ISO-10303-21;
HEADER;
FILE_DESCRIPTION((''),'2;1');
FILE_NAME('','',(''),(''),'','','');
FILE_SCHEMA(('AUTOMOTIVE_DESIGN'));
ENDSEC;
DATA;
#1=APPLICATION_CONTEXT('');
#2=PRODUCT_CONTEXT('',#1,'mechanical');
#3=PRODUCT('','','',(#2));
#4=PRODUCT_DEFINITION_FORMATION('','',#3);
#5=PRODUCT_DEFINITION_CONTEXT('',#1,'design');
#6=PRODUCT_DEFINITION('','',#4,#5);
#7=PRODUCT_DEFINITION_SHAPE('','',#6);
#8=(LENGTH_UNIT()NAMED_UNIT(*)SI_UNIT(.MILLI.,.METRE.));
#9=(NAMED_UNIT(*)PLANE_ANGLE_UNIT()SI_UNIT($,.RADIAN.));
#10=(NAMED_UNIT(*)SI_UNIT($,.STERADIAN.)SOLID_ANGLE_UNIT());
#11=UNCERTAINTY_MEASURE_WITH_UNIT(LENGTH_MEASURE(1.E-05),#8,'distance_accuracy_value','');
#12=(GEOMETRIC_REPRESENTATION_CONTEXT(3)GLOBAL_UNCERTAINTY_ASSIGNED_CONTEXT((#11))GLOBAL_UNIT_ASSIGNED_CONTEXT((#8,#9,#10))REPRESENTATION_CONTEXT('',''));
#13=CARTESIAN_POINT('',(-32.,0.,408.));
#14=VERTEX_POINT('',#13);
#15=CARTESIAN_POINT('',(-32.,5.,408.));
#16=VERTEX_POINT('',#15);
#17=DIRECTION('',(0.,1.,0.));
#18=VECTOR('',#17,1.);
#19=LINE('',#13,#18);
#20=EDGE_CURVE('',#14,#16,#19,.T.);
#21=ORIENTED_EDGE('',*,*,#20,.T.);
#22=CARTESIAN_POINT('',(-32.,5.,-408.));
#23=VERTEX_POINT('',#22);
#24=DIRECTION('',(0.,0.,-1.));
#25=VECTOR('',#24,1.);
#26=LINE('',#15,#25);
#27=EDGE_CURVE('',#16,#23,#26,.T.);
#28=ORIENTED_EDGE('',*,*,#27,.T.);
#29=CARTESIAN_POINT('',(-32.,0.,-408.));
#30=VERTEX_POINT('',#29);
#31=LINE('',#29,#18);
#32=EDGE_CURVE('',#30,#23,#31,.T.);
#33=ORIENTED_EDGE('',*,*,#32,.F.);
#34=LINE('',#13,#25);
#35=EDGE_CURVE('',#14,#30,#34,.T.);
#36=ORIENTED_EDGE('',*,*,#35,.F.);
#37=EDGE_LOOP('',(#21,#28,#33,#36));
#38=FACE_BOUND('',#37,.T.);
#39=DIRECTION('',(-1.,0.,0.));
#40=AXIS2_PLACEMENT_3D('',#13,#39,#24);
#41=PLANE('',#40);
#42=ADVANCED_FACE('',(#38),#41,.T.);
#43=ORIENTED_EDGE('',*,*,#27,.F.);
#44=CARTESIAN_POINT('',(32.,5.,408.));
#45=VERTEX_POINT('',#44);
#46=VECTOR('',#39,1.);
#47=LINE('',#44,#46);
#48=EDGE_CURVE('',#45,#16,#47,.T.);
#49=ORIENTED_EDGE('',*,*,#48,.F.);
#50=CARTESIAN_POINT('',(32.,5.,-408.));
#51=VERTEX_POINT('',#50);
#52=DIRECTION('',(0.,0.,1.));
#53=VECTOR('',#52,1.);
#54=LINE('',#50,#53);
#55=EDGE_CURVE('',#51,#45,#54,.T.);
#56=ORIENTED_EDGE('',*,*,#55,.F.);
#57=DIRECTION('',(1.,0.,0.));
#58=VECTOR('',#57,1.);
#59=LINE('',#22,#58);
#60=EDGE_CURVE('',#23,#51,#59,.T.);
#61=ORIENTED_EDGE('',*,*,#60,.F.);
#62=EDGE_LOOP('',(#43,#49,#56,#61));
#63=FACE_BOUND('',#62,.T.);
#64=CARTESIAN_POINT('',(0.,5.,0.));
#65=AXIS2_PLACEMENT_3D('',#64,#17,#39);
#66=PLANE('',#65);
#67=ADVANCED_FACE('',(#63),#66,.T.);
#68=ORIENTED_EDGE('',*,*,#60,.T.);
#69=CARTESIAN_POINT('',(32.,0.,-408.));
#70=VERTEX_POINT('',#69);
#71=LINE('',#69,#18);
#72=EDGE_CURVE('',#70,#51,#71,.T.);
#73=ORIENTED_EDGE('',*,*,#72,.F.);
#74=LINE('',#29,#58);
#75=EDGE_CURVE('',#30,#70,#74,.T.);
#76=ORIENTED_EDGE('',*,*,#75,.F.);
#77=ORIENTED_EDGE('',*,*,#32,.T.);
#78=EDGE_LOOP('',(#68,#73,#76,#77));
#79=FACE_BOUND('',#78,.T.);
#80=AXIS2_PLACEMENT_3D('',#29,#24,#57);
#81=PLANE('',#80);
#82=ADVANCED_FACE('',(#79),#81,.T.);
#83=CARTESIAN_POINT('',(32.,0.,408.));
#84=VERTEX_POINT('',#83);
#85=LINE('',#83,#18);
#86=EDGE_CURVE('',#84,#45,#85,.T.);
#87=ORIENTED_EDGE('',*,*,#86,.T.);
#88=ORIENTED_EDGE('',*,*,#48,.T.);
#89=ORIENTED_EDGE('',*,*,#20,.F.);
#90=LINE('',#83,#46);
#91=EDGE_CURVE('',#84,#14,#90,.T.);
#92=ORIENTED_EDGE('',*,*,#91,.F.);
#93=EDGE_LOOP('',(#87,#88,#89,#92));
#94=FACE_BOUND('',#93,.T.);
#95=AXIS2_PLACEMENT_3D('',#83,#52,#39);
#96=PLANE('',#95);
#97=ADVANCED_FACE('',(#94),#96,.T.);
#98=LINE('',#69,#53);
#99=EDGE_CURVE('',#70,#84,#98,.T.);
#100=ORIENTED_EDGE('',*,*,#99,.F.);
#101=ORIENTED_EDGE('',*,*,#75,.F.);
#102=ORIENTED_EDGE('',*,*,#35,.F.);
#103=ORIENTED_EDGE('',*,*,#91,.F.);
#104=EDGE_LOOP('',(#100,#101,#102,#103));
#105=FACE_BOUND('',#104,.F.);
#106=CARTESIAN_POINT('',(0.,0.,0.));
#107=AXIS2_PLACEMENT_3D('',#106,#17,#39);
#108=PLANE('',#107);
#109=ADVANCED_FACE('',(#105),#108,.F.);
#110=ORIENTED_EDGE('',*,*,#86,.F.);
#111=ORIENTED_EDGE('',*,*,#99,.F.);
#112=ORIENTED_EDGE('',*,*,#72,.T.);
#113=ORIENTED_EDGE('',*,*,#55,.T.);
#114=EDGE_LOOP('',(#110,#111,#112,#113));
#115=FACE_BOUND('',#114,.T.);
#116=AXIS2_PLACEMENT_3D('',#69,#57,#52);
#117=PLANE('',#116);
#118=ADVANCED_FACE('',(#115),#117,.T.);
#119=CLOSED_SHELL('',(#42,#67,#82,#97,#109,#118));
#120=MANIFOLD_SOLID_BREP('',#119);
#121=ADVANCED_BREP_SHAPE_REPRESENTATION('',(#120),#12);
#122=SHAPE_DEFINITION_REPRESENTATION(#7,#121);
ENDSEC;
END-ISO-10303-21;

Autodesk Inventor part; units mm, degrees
ref_plane "YZ Plane" through (0, 0, 0) normal (1, 0, 0) x (0, 1, 0)
ref_plane "XZ Plane" through (0, 0, 0) normal (0, 1, 0) x (-1, 0, 0)
ref_plane "XY Plane" through (0, 0, 0) normal (0, 0, 1) x (1, 0, 0)
sketch "Эскиз1" plane through (0, 0, 0) normal (0, 1, 0) x (-1, 0, 0)
  line L0 (-32, 408) -> (32, 408)
  line L1 (32, 408) -> (32, -408)
  line L2 (32, -408) -> (-32, -408)
  line L3 (-32, -408) -> (-32, 408)
  line L4 (-32, 408) -> (32, -408) construction
  line L5 (32, 408) -> (-32, -408) construction
  point P0 (0, 0)
  dimension "d0" = 64
  dimension "d1" = 816
extrude "Пластина1" add sketch "Эскиз1" along normal blind 5
equation "\"d2\" = Толщина"
equation "\"Радиус_гибки\" = Толщина"
equation "\"Ширина_просечки\" = Толщина"
equation "\"Глубина_просечки\" = 0.5 * Толщина"
equation "\"Радиус_перехода\" = Радиус_гибки"
equation "\"Радиус_Якоби\" = Радиус_гибки"
equation "\"Размер_зазора\" = Толщина"
equation "\"Толщина\" = 5"
properties part number "GBK bottom 0128_CPY" material "Steel"
